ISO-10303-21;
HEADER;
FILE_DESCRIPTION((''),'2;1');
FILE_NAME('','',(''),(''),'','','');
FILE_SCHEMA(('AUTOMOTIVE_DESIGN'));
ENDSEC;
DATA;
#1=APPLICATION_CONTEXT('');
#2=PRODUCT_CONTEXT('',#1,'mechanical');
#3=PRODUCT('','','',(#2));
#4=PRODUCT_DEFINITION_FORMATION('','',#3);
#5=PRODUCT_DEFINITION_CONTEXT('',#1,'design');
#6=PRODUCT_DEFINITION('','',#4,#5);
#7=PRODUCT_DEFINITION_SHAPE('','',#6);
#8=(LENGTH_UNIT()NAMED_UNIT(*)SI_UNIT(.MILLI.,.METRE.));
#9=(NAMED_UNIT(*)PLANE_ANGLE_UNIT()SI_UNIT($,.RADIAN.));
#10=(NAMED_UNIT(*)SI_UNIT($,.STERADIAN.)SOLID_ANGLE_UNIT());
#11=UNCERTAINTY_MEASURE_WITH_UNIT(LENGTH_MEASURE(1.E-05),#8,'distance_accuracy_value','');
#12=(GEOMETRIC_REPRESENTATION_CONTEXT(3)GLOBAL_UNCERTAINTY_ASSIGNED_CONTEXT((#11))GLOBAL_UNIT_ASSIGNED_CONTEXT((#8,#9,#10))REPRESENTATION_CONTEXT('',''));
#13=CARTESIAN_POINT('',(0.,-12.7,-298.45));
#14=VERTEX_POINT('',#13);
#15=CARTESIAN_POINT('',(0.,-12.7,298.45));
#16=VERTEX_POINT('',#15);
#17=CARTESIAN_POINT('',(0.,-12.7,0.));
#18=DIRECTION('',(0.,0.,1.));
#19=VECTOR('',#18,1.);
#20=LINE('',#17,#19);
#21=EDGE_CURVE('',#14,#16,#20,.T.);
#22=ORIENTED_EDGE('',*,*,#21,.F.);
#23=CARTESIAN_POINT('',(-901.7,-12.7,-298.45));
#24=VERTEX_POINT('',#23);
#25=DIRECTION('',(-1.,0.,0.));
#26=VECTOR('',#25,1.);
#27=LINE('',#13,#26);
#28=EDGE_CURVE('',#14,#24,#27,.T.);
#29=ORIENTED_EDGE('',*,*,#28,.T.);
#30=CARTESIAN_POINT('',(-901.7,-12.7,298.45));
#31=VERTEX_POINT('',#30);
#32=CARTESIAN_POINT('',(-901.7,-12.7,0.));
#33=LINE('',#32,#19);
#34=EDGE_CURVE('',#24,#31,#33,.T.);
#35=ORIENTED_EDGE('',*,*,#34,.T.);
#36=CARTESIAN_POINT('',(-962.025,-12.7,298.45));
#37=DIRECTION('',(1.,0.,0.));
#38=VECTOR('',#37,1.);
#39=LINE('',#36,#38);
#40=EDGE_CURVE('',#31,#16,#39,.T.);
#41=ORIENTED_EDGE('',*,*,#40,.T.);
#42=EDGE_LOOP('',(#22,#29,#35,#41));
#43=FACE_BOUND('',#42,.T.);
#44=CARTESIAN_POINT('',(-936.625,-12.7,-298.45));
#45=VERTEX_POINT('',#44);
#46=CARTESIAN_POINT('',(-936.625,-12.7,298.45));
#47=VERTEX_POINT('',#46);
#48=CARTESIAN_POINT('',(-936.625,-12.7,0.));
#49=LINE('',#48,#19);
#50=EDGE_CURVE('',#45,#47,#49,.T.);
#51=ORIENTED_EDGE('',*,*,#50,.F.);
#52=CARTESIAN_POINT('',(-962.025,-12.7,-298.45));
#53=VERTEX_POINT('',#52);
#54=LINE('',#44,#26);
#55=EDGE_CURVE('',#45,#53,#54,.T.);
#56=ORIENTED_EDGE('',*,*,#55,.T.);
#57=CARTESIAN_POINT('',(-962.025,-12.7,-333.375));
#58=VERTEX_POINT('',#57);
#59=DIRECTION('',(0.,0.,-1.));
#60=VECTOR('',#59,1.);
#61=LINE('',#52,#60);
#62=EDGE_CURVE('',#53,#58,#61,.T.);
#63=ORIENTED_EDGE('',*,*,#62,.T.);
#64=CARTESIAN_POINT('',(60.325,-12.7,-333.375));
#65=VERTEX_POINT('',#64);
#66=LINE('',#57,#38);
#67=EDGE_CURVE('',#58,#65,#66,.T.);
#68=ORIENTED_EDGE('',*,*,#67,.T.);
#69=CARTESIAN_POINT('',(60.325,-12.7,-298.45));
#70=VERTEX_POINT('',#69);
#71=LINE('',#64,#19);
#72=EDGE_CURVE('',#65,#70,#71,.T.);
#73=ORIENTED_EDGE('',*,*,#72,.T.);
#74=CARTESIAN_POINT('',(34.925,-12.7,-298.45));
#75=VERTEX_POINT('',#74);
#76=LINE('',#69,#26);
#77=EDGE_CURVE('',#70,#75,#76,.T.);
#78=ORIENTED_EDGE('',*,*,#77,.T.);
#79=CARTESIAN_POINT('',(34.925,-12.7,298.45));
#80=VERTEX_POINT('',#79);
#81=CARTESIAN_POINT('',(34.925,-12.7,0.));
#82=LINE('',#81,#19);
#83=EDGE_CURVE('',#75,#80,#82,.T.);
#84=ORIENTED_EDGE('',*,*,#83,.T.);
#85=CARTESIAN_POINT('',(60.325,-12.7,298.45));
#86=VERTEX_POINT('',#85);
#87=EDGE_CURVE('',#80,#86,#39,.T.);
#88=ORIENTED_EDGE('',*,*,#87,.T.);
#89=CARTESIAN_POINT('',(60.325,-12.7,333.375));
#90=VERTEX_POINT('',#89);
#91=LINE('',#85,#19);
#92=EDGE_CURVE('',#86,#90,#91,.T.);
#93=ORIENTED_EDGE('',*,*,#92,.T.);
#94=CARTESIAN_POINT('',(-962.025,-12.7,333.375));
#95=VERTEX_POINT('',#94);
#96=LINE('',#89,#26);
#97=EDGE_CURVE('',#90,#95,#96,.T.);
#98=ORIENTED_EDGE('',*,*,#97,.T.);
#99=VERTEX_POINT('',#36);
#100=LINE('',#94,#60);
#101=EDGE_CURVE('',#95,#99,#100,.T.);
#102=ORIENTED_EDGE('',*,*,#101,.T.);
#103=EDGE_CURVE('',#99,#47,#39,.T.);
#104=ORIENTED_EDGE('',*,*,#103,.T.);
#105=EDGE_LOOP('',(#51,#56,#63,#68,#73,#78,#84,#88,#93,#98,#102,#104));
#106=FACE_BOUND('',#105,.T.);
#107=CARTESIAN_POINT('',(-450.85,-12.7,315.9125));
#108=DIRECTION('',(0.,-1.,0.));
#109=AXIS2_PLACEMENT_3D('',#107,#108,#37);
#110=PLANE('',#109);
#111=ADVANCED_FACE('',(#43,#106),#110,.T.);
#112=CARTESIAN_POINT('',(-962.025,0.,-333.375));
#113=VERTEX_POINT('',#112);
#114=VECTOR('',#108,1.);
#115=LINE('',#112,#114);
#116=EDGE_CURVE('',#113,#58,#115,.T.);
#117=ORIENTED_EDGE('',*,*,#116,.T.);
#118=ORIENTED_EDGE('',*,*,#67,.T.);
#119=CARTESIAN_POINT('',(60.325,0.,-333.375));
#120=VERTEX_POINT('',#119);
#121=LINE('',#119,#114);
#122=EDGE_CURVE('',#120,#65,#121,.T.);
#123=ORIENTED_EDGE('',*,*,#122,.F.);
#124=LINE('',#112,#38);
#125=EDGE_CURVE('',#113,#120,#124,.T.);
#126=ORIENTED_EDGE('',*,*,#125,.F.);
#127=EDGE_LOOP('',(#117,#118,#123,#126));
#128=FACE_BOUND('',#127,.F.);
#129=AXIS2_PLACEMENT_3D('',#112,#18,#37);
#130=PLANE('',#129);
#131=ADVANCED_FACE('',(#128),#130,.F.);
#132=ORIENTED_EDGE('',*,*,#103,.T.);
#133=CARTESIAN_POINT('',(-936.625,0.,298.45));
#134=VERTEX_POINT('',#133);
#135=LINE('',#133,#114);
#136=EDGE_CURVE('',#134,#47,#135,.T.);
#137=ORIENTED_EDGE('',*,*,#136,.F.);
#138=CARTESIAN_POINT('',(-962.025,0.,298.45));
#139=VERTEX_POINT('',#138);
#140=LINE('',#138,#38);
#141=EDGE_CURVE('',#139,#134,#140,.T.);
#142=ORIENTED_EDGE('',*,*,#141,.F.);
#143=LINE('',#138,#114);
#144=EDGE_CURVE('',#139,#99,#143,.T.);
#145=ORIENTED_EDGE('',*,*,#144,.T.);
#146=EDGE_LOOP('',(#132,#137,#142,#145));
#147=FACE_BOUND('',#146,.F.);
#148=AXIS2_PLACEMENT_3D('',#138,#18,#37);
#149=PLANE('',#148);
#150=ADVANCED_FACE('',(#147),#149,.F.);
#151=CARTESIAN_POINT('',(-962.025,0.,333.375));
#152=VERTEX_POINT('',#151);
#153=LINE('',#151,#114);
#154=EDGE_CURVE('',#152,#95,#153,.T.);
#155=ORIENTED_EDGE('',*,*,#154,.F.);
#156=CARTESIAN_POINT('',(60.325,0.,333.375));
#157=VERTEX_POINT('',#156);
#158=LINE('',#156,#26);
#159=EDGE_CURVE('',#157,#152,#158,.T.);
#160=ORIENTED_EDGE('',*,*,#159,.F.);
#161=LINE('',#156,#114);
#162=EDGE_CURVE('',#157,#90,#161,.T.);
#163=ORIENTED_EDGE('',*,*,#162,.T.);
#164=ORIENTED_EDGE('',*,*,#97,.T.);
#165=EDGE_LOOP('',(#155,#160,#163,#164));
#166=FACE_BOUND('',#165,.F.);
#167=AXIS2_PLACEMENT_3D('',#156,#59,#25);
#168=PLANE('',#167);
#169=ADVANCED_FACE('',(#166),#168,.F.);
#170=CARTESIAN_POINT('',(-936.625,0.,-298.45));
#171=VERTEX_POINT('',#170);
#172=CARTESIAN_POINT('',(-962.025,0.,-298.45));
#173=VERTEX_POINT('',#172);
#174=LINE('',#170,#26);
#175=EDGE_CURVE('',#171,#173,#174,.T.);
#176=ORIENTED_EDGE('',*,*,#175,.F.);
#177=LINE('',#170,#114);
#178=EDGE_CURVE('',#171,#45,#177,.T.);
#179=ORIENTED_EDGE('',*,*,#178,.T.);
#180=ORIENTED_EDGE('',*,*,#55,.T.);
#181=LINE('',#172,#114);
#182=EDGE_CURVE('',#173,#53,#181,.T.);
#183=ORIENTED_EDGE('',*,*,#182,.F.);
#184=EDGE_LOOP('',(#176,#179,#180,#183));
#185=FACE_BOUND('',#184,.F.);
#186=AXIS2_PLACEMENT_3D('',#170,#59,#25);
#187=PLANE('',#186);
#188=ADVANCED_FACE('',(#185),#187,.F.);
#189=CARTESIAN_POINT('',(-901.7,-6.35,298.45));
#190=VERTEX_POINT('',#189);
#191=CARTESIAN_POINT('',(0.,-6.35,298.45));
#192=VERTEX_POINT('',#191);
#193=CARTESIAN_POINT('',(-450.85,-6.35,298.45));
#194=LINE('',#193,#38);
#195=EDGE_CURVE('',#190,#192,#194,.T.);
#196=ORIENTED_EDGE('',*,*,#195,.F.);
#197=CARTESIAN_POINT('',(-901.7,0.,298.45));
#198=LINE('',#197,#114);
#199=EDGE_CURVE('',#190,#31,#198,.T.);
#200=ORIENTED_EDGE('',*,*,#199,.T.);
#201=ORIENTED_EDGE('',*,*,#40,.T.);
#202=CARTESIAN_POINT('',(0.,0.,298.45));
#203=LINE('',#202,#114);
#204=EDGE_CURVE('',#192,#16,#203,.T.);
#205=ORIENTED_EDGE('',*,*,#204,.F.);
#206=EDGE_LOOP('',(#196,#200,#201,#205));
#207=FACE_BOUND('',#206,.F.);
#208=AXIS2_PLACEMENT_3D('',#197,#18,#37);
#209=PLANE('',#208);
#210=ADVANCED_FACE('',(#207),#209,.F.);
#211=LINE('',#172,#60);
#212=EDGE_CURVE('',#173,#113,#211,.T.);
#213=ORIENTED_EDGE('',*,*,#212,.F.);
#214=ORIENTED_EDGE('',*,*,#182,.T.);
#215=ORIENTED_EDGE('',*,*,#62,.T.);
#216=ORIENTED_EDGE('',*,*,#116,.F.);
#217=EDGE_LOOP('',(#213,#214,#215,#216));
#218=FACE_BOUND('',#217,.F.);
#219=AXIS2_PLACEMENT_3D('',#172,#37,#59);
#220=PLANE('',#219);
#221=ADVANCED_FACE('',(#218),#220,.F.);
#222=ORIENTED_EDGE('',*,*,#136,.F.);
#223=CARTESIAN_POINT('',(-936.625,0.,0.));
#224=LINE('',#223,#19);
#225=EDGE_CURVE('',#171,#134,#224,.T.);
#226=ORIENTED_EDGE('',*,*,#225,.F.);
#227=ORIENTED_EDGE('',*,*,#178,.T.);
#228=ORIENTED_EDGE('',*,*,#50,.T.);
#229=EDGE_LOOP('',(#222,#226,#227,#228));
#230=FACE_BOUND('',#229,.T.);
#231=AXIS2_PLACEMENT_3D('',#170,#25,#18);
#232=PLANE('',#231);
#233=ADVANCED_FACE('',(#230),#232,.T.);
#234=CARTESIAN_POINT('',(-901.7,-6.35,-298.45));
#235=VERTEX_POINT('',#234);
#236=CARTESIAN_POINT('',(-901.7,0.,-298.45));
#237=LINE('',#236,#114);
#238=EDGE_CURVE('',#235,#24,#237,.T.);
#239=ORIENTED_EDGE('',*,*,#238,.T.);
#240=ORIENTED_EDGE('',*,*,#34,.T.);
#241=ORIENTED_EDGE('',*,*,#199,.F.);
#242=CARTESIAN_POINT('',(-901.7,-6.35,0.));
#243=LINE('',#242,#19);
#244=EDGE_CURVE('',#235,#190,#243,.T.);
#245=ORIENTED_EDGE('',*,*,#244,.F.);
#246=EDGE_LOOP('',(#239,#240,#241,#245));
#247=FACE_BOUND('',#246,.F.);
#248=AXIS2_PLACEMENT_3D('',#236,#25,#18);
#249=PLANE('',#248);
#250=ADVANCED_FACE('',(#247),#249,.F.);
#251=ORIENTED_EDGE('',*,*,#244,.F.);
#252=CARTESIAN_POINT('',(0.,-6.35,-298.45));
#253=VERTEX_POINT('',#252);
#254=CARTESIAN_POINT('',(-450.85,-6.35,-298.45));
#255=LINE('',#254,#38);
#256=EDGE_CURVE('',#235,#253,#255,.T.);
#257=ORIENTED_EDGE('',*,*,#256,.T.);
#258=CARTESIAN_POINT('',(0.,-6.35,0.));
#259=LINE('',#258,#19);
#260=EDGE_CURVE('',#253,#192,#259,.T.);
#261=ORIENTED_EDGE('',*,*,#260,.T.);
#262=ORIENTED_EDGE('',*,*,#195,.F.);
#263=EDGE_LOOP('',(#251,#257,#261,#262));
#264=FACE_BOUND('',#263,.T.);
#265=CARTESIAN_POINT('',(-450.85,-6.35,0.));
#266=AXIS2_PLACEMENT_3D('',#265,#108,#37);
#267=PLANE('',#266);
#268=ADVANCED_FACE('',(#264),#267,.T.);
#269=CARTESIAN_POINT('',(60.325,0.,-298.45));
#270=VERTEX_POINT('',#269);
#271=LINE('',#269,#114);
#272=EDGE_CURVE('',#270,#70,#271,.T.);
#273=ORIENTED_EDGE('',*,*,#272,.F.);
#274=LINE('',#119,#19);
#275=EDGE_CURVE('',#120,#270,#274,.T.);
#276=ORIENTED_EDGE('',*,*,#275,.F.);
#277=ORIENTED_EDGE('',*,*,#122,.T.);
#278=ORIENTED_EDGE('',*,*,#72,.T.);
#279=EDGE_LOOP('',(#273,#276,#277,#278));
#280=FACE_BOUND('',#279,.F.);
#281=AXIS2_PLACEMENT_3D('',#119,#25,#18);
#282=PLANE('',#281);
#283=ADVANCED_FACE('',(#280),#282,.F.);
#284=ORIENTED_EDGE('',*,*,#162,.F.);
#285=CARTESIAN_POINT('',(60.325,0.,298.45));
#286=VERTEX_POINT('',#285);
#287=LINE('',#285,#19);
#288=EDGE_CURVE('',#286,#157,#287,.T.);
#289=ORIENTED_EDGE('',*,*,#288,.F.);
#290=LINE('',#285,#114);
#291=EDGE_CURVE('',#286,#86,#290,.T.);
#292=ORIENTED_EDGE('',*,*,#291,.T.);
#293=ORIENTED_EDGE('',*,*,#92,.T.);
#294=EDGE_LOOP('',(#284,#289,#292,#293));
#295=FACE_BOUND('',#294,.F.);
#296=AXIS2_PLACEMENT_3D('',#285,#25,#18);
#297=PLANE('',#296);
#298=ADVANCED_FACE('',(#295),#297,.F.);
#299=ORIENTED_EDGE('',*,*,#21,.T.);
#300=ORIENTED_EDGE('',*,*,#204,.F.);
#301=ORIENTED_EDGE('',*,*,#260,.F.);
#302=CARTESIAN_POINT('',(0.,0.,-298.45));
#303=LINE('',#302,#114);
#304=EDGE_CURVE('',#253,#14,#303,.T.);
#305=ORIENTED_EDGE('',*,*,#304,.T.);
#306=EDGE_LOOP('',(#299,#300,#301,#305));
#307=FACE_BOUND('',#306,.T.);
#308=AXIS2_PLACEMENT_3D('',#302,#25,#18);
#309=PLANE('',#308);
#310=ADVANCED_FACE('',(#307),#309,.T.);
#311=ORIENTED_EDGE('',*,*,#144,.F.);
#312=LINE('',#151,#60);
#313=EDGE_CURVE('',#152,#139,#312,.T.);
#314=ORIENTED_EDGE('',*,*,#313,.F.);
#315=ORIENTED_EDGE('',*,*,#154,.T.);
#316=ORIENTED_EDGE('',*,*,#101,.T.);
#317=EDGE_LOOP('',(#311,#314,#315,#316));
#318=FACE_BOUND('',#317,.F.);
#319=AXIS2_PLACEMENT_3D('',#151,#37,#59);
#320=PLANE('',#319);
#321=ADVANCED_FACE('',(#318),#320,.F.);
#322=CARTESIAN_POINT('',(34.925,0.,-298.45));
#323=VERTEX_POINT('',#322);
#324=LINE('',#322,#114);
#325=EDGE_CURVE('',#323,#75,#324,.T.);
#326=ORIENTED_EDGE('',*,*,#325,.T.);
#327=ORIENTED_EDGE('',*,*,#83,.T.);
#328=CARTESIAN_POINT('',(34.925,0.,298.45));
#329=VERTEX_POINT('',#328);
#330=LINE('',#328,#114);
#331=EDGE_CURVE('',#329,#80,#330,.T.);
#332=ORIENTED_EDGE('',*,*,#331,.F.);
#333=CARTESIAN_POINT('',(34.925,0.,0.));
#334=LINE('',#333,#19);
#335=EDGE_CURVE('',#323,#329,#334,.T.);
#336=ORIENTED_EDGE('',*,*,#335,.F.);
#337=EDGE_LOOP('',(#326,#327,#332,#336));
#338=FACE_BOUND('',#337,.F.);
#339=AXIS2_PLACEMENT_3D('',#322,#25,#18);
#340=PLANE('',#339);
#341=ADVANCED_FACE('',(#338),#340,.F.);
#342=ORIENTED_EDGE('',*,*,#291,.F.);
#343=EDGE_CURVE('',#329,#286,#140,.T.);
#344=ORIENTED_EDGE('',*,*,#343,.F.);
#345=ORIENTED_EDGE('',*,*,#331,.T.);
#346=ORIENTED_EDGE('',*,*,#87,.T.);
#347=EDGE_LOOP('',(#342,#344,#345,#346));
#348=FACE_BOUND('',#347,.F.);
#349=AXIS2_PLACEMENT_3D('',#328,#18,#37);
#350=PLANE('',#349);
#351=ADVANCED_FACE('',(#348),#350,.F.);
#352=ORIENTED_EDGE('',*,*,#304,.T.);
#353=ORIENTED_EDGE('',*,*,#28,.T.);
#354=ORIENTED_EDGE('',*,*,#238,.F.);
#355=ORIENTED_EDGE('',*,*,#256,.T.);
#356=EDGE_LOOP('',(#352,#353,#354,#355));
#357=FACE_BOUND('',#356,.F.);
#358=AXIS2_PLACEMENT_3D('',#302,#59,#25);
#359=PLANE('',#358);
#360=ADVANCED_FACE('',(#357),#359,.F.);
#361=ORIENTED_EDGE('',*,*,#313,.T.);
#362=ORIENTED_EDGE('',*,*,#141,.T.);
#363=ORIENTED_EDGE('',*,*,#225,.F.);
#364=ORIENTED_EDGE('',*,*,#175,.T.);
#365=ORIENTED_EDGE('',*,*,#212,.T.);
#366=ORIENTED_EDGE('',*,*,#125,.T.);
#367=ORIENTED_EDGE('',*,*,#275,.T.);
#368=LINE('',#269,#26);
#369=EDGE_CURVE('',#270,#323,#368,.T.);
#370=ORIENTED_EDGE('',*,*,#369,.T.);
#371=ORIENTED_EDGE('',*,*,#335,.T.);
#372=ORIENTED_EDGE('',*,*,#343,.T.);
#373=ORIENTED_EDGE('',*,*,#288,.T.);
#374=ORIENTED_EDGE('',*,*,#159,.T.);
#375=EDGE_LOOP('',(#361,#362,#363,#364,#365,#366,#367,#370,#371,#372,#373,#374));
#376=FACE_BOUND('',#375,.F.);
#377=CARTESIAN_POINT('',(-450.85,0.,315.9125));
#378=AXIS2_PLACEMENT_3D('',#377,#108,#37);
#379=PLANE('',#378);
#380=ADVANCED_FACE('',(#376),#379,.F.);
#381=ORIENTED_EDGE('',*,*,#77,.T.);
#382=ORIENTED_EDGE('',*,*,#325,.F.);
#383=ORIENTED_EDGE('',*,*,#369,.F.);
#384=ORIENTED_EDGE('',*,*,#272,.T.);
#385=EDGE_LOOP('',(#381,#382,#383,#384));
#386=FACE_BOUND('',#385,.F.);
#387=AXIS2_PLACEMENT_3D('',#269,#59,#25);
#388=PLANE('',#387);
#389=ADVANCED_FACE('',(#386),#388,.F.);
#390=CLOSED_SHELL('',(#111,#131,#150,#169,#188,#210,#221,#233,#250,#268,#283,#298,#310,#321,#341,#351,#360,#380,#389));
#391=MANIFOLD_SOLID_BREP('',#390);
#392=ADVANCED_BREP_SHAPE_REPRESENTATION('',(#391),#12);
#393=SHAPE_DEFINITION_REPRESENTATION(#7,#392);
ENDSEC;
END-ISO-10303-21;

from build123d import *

# Parameters (mm, degrees)
F0_W     = 901.7
F0_H     = 596.9
F1_DEPTH = 6.35
F0_W_2   = 34.925
F2_DEPTH = 12.7


with BuildPart() as f1:
    # F0 (on Front) → F1 (new body)
    with BuildSketch(Plane.XZ):
        with Locations((-450.85, 0)):
            Rectangle(F0_W, F0_H)
    extrude(amount=F1_DEPTH)

    # F0 (on Front) → F2 (join)
    with BuildSketch(Plane.XZ):
        Polygon((-936.625, 298.45), (-901.7, 298.45), (0, 298.45), (34.925, 298.45), (60.325, 298.45), (60.325, 333.375), (-962.025, 333.375), (-962.025, 298.45), align=None)
        with Locations((-919.1625, 0)):
            Rectangle(F0_W_2, F0_H)
        with Locations((17.4625, 0)):
            Rectangle(F0_W_2, F0_H)
        Polygon((0, -298.45), (-901.7, -298.45), (-936.625, -298.45), (-962.025, -298.45), (-962.025, -333.375), (60.325, -333.375), (60.325, -298.45), (34.925, -298.45), align=None)
    extrude(amount=F2_DEPTH)


solid = f1.part
